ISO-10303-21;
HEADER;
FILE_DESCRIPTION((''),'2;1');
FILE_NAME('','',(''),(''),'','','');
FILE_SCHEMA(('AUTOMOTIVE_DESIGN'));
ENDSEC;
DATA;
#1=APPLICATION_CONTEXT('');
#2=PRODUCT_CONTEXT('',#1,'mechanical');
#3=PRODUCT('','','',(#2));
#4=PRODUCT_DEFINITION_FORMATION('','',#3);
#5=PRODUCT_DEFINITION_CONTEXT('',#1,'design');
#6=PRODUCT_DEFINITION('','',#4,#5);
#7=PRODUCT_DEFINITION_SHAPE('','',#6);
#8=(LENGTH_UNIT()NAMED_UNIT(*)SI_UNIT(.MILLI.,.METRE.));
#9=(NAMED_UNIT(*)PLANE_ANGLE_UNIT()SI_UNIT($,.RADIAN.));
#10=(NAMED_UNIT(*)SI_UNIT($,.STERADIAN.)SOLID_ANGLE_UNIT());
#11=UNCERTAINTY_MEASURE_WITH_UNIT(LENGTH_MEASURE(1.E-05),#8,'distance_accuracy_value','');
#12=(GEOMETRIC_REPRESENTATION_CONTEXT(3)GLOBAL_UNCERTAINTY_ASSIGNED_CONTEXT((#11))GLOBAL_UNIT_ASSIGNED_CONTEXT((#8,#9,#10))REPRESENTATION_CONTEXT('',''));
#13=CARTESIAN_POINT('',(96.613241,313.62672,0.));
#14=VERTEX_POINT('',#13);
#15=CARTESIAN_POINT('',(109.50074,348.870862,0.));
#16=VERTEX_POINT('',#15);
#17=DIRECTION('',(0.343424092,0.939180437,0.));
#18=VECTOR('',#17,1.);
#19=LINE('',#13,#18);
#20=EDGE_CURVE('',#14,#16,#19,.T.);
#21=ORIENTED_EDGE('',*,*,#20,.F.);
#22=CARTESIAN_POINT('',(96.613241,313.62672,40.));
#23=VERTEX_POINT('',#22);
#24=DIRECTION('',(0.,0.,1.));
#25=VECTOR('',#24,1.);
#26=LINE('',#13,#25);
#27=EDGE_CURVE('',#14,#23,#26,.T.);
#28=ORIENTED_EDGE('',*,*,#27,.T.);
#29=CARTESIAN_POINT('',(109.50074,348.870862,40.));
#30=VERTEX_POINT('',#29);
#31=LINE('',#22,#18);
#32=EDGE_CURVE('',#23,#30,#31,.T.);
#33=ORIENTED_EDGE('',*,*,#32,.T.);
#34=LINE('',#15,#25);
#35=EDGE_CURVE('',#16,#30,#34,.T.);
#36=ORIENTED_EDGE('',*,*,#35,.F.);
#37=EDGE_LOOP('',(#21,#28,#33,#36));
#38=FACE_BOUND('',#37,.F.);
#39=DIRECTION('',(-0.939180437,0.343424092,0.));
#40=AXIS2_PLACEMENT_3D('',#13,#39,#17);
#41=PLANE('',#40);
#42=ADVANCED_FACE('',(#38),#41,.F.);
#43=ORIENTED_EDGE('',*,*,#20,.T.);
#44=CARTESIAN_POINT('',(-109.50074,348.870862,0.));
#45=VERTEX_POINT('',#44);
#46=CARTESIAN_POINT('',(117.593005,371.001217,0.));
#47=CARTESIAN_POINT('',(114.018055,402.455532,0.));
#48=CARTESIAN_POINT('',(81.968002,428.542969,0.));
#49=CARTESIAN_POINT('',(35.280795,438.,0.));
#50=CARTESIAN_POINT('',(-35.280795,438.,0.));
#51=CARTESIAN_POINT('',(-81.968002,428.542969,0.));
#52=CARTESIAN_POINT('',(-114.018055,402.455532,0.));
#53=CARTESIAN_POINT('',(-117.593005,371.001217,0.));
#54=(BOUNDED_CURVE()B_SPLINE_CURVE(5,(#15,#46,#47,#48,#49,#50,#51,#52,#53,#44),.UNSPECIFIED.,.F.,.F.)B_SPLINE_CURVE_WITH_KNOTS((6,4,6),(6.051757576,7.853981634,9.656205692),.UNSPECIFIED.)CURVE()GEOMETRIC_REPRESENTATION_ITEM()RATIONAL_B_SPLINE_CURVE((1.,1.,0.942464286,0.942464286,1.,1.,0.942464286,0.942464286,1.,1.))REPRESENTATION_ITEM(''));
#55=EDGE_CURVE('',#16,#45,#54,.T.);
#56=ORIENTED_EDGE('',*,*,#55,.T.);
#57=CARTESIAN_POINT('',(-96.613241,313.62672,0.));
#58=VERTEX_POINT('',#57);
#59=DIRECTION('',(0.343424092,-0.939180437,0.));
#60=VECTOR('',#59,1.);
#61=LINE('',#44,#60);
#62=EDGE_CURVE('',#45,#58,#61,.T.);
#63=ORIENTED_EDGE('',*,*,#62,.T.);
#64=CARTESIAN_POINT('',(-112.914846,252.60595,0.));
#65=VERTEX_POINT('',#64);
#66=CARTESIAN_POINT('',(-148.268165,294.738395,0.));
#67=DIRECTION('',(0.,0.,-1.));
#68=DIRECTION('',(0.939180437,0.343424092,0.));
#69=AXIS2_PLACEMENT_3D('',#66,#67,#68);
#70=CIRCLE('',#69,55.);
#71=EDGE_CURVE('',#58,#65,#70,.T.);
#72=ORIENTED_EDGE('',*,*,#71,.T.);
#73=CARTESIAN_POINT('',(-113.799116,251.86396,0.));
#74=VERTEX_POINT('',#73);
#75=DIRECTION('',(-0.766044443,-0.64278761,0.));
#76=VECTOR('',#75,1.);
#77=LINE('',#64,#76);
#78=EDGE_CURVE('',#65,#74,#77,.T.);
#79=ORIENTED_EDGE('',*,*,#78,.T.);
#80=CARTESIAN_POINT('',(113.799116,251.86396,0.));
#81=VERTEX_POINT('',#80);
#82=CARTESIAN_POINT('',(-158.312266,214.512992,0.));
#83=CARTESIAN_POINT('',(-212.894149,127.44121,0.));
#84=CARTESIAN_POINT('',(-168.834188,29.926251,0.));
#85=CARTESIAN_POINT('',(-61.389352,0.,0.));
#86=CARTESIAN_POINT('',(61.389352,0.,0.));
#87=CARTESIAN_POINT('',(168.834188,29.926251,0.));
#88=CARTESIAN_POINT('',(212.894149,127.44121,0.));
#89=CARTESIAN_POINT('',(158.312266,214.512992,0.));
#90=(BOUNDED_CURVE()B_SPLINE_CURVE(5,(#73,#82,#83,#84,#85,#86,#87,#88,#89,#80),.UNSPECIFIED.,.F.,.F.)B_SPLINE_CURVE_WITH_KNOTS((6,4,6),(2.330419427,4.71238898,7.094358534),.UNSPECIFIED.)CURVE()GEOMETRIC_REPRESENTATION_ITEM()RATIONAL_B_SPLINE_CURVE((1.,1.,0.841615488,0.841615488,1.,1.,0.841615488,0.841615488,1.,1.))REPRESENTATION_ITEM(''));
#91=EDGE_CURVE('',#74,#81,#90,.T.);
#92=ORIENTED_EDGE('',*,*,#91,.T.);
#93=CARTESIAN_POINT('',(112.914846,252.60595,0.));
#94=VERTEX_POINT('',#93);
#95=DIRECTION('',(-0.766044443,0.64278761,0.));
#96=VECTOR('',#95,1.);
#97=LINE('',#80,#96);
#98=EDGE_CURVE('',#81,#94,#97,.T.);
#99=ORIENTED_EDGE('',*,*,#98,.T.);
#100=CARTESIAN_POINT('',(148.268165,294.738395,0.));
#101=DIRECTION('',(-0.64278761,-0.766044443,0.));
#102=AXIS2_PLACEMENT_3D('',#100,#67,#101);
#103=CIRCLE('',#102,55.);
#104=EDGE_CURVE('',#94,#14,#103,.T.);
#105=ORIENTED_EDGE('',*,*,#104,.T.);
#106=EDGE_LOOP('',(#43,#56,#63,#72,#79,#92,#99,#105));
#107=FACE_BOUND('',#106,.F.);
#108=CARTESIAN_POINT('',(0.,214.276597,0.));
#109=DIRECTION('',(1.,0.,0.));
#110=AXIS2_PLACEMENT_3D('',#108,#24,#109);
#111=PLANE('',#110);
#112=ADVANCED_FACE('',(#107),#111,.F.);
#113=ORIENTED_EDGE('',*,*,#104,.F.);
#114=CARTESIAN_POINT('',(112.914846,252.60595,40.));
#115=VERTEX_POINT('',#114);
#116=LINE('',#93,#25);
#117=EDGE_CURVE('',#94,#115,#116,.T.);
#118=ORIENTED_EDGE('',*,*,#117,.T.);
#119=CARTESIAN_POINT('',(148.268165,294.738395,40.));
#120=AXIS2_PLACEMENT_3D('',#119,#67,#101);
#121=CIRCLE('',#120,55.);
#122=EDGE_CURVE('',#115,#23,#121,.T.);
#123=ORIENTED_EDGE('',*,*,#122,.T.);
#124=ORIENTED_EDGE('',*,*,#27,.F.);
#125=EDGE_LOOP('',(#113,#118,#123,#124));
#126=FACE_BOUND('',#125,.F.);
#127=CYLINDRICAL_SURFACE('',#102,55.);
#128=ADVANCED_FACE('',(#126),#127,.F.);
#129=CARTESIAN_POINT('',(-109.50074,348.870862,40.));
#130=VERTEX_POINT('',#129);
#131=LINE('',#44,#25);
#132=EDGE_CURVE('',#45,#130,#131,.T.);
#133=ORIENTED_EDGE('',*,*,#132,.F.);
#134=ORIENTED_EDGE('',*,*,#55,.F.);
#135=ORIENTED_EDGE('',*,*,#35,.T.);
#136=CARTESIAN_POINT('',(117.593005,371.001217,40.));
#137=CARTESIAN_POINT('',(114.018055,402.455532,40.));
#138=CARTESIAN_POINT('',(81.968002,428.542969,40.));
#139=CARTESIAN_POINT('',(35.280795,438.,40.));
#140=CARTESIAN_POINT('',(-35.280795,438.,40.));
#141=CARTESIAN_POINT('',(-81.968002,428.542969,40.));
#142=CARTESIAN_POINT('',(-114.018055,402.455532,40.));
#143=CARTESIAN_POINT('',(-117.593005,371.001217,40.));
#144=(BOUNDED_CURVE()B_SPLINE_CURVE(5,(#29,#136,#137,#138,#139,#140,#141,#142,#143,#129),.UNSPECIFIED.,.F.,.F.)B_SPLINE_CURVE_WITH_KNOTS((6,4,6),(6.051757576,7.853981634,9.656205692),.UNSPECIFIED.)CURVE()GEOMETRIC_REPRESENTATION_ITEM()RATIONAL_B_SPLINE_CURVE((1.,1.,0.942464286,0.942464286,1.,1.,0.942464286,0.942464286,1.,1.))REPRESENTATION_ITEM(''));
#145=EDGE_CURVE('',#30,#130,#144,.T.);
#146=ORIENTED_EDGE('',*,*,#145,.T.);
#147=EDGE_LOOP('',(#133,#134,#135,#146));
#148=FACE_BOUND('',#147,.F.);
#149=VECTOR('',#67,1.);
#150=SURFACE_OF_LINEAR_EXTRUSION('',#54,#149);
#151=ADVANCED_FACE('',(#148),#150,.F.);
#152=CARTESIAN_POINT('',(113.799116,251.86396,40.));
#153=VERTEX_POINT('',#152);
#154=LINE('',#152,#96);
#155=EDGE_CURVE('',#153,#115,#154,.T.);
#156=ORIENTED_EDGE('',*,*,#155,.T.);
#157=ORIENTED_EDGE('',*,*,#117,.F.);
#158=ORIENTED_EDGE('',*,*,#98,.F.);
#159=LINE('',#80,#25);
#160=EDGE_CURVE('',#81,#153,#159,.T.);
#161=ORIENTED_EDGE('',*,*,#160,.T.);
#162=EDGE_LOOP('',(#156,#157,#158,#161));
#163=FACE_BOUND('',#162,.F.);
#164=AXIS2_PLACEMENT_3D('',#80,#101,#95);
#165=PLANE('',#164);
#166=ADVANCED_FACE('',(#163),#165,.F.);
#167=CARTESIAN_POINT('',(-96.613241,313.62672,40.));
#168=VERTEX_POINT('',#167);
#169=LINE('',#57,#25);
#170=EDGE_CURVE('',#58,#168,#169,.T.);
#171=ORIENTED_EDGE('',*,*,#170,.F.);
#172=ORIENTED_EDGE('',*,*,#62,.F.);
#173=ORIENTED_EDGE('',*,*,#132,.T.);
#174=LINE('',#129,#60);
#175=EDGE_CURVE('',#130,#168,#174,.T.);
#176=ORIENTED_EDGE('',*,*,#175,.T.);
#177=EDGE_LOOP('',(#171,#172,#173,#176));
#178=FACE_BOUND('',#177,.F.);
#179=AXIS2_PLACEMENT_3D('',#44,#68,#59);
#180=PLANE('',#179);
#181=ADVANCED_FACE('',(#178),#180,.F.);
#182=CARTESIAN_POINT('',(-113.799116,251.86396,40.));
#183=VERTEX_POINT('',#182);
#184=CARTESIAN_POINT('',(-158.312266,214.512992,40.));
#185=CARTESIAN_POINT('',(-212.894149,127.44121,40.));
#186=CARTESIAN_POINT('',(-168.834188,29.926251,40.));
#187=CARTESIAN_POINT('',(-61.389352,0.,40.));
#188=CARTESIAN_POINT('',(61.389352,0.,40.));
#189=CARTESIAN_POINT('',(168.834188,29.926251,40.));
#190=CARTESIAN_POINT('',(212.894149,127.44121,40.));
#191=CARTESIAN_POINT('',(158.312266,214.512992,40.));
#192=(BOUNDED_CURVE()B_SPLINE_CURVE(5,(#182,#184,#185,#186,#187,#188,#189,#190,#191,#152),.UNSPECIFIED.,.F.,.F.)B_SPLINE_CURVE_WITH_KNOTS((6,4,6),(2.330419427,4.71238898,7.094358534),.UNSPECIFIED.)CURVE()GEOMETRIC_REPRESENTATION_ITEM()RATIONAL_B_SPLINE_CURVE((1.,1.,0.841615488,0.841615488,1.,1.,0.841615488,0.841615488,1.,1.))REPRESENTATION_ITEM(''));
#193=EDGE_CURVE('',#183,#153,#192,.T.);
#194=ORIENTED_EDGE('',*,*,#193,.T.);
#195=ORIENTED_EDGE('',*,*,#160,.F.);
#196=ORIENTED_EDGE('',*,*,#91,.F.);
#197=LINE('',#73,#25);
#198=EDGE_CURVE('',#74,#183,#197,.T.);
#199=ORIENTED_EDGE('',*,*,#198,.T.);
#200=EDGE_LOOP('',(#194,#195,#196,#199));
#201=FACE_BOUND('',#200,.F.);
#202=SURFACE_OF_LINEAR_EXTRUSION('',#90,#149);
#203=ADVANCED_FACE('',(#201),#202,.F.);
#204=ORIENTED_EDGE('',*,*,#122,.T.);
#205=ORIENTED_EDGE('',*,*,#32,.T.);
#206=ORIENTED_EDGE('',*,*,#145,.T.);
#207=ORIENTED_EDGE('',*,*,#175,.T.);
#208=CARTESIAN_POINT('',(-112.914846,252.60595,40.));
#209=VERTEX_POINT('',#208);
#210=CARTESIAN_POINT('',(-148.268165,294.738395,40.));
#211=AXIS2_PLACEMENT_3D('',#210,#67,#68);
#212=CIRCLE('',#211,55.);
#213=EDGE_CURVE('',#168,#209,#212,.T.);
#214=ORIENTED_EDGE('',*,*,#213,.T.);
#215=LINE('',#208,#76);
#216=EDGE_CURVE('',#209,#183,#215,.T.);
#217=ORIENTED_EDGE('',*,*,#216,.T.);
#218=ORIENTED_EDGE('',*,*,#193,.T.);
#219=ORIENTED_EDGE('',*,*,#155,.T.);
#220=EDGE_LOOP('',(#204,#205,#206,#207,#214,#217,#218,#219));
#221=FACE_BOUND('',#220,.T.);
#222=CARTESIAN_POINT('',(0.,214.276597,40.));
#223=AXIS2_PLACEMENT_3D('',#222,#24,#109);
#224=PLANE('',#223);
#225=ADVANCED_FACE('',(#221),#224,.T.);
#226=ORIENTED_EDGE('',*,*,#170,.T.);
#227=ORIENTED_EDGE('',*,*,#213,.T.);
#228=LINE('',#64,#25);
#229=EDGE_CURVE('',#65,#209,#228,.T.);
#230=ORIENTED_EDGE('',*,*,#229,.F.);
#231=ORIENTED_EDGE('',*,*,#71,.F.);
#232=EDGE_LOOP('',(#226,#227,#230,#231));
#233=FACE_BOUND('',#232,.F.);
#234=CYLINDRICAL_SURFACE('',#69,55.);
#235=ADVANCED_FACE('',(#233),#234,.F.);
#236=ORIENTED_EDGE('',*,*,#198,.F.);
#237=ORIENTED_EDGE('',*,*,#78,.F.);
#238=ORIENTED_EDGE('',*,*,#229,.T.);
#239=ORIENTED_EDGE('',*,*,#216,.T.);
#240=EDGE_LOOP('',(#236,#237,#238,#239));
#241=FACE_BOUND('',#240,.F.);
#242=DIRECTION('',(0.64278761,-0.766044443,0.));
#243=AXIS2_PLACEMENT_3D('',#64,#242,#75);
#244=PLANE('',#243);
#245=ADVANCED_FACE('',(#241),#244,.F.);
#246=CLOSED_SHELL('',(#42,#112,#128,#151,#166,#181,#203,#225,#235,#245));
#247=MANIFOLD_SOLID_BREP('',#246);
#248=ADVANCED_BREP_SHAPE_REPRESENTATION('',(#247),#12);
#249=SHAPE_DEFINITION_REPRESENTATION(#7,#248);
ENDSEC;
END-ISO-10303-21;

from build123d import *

# Parameters (mm, degrees)
F1_DEPTH = 40


with BuildPart() as f1:
    # F0 (on Top) → F1 (new body)
    with BuildSketch(Plane.XY):
        with BuildLine():
            Line((-112.9148460081, 252.6059501952), (-113.7991160194, 251.8639595549))
            add(Edge.make_bspline(
                [(-113.7991160194, 251.8639595549), (-413.958894664, 0), (0, 0)],
                knots=[2.3304194273, 2.3304194273, 2.3304194273, 4.7123889804, 4.7123889804, 4.7123889804], degree=2, weights=[1, 0.3707454562, 1]))
            add(Edge.make_bspline(
                [(0, 0), (413.958894664, 0), (113.7991160194, 251.8639595549)],
                knots=[4.7123889804, 4.7123889804, 4.7123889804, 7.0943585335, 7.0943585335, 7.0943585335], degree=2, weights=[1, 0.3707454562, 1]))
            Line((113.7991160194, 251.8639595549), (112.9148460081, 252.6059501952))
            ThreePointArc((112.9148460081, 252.6059501952), (95.1316220853, 280.543048292), (96.6132405176, 313.6267196419))
            Line((96.6132405176, 313.6267196419), (109.5007401215, 348.8708617374))
            add(Edge.make_bspline(
                [(109.5007401215, 348.8708617374), (142.0920209916, 438), (0, 438)],
                knots=[6.0517575763, 6.0517575763, 6.0517575763, 7.853981634, 7.853981634, 7.853981634], degree=2, weights=[1, 0.620738502, 1]))
            add(Edge.make_bspline(
                [(0, 438), (-142.0920209916, 438), (-109.5007401215, 348.8708617374)],
                knots=[4.7123889804, 4.7123889804, 4.7123889804, 6.5146130381, 6.5146130381, 6.5146130381], degree=2, weights=[1, 0.620738502, 1]))
            Line((-109.5007401215, 348.8708617374), (-96.6132405176, 313.6267196419))
            ThreePointArc((-96.6132405176, 313.6267196419), (-95.1316220853, 280.543048292), (-112.9148460081, 252.6059501952))
        make_face()
    extrude(amount=F1_DEPTH)


solid = f1.part
